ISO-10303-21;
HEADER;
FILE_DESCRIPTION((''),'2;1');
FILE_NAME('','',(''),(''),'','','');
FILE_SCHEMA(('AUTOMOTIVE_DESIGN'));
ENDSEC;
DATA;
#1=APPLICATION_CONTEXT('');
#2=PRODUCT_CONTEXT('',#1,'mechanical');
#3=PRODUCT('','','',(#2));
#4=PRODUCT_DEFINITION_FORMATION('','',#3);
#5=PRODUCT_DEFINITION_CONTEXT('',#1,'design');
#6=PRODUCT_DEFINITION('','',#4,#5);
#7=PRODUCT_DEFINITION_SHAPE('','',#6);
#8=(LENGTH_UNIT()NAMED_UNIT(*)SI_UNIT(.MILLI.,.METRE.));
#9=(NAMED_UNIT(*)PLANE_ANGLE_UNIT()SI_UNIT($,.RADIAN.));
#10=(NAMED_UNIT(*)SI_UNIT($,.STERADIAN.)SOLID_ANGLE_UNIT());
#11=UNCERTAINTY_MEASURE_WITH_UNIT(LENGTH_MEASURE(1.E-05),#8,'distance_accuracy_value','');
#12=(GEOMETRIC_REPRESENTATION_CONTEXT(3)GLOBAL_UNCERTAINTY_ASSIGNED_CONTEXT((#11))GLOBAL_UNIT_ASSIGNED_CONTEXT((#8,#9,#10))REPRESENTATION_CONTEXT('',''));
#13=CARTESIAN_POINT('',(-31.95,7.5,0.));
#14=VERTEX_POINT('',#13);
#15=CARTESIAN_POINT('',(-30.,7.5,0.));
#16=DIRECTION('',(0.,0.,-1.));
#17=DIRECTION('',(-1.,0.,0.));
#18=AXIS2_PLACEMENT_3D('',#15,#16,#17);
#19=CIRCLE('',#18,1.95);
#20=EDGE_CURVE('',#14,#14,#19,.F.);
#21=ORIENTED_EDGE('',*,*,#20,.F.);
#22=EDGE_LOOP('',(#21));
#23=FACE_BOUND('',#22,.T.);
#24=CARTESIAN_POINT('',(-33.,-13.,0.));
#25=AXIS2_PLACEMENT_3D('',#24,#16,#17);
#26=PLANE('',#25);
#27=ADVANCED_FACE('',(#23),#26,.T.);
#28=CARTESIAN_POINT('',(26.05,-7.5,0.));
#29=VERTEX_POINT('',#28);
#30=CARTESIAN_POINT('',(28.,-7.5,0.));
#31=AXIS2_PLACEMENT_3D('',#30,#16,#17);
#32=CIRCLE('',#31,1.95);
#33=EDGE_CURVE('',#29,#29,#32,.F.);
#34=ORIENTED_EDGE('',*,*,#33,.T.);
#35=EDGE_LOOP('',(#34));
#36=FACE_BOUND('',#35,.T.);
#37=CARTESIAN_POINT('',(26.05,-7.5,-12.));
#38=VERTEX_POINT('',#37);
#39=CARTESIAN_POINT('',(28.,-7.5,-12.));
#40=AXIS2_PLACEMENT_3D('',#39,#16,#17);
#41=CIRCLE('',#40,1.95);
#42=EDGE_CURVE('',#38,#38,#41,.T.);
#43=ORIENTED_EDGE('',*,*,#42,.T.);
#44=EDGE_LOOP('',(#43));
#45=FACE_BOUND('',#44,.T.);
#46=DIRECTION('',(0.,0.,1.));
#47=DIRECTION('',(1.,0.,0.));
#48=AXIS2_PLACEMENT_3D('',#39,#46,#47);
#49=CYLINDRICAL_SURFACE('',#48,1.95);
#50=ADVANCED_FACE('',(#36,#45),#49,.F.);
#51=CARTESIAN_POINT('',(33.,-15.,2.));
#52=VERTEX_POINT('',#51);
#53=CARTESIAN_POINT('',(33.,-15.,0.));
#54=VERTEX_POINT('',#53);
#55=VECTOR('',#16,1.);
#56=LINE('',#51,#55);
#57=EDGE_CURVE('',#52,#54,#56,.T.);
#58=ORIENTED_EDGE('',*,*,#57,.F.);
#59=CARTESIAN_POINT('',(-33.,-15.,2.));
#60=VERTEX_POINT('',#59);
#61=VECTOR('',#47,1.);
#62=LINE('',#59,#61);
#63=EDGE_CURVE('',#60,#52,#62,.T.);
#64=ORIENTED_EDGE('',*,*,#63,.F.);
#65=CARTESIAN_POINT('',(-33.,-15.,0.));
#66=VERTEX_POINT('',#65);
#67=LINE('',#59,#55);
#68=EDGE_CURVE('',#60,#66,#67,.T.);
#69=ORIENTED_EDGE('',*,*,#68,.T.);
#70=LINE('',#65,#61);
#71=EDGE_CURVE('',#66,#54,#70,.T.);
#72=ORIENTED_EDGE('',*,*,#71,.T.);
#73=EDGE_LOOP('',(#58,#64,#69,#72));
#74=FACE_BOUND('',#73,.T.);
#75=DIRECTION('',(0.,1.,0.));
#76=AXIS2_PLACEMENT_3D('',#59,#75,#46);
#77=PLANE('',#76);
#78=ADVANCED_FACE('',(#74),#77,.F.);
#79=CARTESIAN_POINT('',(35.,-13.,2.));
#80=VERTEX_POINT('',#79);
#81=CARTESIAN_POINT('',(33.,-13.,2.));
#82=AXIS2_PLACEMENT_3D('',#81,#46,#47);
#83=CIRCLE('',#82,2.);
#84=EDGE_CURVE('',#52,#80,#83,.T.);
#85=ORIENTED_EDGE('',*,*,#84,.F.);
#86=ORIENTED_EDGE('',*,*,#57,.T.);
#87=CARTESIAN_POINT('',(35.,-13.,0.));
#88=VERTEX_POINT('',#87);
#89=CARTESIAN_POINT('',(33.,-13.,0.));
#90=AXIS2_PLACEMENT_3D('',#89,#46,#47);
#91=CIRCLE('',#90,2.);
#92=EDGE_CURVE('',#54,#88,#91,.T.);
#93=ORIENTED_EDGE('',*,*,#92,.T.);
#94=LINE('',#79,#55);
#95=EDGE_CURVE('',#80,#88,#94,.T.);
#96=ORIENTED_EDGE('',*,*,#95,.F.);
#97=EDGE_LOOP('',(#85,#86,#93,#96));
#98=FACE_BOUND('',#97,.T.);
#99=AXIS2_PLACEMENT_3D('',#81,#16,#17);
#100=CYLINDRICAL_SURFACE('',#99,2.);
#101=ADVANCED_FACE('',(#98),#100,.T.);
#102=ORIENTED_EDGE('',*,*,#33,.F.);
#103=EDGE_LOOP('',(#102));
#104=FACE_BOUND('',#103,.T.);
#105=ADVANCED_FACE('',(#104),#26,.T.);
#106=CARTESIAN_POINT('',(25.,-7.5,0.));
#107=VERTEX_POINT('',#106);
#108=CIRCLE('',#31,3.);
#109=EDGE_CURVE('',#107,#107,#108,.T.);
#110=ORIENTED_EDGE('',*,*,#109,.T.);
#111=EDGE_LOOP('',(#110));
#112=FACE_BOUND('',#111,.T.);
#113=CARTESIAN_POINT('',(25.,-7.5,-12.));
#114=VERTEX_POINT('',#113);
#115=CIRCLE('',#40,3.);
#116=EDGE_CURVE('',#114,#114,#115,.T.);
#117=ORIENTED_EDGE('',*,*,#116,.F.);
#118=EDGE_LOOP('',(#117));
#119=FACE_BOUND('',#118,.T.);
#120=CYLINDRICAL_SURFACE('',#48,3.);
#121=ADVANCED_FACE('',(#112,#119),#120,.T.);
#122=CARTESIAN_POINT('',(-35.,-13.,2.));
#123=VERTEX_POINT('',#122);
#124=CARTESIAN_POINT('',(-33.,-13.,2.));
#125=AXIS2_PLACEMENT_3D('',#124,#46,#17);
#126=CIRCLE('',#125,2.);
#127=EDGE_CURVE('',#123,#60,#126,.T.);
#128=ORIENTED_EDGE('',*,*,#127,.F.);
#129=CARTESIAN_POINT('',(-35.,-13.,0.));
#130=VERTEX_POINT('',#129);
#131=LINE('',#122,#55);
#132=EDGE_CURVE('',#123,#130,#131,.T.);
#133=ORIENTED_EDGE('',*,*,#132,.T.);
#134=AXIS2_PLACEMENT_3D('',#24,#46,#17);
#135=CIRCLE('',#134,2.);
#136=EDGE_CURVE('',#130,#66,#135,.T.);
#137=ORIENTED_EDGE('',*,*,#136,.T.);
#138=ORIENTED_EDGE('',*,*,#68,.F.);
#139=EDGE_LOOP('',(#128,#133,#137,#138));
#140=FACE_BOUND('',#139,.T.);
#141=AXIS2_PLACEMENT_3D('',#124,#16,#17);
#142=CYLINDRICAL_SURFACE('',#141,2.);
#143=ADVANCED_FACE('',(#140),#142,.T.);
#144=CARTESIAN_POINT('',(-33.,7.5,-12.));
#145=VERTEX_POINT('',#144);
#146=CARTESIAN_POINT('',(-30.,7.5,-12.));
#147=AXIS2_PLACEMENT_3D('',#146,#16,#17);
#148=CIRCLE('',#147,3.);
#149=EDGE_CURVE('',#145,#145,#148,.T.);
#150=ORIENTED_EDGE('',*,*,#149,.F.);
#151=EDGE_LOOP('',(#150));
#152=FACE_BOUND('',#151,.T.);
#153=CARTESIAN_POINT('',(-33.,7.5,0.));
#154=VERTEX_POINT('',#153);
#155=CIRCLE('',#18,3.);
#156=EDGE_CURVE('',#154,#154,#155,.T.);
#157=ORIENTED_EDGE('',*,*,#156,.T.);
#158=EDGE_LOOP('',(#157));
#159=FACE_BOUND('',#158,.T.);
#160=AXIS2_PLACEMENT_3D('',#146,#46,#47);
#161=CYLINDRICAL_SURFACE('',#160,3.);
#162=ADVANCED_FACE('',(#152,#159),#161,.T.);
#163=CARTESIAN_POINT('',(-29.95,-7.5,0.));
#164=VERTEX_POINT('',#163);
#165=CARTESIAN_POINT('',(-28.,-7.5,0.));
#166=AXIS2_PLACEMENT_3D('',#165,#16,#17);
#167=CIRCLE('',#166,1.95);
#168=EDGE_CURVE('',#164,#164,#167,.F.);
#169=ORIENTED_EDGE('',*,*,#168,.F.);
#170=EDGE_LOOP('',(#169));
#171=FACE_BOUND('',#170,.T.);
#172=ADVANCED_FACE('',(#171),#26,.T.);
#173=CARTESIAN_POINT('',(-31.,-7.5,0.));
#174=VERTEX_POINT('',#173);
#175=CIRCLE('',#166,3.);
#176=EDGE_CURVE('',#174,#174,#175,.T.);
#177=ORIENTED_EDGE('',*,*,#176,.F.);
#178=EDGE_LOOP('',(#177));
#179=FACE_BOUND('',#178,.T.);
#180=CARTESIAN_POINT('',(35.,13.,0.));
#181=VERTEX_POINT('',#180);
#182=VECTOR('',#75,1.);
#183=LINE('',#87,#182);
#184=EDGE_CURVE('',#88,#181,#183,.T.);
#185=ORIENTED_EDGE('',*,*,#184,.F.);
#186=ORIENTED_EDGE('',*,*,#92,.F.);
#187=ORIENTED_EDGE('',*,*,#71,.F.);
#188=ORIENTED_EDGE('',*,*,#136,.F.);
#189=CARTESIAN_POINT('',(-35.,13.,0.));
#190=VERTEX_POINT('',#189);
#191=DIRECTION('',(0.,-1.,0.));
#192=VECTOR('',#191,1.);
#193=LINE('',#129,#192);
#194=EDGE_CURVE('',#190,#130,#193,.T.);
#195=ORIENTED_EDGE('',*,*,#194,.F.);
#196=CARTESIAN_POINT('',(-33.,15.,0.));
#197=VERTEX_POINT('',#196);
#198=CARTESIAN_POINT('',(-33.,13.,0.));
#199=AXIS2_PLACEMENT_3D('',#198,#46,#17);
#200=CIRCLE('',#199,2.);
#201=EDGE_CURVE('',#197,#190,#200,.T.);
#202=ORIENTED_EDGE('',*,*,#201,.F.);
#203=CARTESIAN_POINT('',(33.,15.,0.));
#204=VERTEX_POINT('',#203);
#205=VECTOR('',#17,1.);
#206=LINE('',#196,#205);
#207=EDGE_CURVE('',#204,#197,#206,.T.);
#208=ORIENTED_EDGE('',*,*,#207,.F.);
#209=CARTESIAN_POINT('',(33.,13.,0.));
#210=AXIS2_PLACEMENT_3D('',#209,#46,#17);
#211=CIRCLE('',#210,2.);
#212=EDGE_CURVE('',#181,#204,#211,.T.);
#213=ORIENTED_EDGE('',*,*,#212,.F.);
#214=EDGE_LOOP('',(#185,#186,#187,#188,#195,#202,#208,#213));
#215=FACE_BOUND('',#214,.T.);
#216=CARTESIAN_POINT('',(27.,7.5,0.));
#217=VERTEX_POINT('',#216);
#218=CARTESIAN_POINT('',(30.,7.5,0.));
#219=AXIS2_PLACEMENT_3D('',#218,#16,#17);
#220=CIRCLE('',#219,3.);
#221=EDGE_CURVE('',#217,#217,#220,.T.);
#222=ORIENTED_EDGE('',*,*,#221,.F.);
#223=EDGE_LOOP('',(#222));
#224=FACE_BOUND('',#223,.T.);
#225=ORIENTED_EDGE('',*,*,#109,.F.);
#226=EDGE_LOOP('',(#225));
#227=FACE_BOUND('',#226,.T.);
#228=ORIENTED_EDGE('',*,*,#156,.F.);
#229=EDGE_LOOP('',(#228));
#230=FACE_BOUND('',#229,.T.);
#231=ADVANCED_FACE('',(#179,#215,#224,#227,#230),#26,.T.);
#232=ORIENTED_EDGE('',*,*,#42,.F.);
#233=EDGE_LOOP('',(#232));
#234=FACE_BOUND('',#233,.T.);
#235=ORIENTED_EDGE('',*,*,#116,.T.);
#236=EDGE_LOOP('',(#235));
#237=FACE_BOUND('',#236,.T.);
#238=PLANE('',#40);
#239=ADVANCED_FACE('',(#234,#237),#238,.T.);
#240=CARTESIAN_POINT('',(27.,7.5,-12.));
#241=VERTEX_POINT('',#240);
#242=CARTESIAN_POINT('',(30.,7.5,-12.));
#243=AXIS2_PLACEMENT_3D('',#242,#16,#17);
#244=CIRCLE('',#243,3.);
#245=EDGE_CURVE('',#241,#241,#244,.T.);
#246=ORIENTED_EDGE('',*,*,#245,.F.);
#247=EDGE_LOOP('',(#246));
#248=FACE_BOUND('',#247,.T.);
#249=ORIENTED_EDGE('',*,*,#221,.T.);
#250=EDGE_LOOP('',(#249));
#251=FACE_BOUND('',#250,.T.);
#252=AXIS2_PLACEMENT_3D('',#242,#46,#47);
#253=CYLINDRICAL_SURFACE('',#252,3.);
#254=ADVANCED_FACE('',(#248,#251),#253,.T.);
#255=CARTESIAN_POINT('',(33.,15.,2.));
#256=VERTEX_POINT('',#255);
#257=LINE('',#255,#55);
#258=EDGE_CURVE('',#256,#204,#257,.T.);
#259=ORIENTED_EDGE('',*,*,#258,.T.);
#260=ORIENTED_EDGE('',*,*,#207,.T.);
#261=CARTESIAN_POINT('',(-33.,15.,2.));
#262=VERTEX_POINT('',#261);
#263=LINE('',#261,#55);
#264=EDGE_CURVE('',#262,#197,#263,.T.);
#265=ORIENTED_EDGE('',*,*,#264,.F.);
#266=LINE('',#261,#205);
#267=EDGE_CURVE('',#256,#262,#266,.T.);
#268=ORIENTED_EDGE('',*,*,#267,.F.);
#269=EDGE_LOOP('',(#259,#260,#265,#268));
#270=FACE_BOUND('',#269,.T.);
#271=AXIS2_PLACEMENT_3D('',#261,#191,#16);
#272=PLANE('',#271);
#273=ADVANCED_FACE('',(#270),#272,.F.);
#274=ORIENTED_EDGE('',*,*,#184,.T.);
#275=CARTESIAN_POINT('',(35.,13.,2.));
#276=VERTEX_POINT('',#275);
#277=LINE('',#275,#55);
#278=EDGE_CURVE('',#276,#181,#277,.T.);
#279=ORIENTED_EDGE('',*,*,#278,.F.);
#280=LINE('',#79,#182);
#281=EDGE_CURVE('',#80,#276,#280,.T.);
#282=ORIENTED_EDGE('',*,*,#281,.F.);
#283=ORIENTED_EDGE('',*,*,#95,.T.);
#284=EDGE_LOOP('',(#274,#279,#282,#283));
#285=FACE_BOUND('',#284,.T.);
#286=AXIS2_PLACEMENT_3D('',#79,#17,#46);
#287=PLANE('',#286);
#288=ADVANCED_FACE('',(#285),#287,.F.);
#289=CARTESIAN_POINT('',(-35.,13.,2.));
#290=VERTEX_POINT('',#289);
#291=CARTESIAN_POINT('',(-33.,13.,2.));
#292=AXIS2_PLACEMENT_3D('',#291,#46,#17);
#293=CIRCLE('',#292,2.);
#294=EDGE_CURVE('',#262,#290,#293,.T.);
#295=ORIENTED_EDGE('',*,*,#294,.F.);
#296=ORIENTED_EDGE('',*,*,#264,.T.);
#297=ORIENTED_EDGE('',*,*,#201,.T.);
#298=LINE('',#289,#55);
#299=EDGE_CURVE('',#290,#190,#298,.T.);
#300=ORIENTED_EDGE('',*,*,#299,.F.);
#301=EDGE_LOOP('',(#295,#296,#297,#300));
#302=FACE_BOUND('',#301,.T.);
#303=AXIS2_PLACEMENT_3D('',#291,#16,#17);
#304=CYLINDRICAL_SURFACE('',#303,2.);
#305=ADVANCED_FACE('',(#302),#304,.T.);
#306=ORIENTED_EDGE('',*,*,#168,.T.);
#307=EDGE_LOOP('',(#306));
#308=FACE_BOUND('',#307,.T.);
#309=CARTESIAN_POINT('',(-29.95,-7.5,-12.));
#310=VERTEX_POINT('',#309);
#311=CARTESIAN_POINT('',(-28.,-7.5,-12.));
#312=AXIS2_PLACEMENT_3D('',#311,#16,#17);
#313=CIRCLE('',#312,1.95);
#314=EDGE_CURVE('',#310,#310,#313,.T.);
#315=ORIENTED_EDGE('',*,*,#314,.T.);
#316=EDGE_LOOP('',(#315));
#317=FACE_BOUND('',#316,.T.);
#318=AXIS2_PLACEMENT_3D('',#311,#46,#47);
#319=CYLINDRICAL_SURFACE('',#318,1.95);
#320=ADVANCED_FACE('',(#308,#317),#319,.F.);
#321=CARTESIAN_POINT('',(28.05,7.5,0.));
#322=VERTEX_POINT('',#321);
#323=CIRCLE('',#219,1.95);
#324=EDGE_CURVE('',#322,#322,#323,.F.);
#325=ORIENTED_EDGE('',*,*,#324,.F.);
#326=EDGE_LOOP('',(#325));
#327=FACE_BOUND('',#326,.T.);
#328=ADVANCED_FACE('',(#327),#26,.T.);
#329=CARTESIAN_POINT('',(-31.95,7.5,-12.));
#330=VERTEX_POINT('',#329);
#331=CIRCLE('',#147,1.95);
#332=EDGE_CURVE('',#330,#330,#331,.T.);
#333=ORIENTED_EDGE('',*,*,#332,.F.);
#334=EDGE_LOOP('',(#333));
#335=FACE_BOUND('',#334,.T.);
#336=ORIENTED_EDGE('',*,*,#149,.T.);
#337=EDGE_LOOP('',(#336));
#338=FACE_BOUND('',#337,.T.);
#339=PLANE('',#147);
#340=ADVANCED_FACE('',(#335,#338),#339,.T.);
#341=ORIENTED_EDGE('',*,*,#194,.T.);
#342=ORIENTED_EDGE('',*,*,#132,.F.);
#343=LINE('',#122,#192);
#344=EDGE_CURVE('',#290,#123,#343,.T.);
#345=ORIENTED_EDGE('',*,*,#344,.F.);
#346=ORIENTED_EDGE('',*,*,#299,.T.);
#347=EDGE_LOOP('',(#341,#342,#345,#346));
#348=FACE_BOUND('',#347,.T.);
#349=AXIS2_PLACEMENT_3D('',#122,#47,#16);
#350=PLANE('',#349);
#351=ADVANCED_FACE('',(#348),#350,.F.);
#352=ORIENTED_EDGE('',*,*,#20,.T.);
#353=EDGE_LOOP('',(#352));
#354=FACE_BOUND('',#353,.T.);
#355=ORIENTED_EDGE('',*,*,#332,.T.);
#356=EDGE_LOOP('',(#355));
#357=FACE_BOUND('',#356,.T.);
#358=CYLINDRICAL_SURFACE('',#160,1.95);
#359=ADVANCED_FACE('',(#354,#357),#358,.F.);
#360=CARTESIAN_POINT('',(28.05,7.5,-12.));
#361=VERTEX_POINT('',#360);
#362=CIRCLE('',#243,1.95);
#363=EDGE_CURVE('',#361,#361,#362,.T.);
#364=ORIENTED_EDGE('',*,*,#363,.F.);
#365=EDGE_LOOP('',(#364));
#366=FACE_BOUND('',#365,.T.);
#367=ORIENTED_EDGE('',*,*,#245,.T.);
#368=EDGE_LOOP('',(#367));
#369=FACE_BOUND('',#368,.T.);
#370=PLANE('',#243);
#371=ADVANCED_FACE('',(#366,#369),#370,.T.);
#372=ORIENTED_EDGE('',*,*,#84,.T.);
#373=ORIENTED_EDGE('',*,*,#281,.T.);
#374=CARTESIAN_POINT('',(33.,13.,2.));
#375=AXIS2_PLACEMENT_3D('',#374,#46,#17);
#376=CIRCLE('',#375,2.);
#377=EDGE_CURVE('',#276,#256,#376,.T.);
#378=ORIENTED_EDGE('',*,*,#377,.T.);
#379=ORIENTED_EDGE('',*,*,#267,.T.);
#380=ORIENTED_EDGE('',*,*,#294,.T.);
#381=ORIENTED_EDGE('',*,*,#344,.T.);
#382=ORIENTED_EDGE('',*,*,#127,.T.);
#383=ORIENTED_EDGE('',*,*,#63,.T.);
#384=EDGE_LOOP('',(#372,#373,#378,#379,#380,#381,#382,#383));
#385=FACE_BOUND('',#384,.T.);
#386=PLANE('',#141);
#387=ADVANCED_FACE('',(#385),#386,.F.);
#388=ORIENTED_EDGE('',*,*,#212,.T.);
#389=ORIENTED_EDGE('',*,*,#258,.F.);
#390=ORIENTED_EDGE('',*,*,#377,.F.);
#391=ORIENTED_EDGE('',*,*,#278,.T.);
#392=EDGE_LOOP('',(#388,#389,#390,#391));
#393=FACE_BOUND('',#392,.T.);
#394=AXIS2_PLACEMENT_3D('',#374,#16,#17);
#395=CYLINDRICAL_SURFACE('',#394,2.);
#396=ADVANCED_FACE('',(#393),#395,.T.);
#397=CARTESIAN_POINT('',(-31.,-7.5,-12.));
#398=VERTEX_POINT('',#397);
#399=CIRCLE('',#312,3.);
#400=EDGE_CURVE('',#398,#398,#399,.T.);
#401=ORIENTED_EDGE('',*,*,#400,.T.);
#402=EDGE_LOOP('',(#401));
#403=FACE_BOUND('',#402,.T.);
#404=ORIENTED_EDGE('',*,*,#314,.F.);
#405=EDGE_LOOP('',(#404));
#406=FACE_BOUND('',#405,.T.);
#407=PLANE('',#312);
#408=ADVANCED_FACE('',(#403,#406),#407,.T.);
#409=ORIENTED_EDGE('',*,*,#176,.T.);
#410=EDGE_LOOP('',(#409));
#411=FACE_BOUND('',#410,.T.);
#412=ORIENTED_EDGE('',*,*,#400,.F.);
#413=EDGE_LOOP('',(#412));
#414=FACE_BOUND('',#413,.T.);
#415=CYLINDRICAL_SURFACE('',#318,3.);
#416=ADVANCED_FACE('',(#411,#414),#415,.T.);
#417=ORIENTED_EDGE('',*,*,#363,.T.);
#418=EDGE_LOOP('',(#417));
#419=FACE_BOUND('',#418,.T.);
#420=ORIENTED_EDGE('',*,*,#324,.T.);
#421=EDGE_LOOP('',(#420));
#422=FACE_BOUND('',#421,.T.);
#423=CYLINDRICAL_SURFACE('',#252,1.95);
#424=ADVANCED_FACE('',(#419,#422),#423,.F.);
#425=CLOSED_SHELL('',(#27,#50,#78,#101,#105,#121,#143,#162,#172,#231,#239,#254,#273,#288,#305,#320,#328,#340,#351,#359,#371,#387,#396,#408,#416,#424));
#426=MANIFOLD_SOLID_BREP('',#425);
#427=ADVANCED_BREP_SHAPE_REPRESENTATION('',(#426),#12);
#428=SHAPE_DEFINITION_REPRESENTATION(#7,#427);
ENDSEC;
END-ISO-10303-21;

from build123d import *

# Parameters (mm, degrees)
BOSS_EXTRUDE1_DEPTH = 2
SKETCH2_R           = 3
SKETCH2_R_2         = 1.95
BOSS_EXTRUDE2_DEPTH = 12


with BuildPart() as part:
    # Sketch1 → Boss-Extrude1 (new body)
    with BuildSketch(Plane.XY):
        with BuildLine():
            Line((-33, -15), (33, -15))
            ThreePointArc((33, -15), (34.414213562, -14.414213562), (35, -13))
            Line((35, -13), (35, 13))
            ThreePointArc((35, 13), (34.414213562, 14.414213562), (33, 15))
            Line((33, 15), (-33, 15))
            ThreePointArc((-33, 15), (-34.414213562, 14.414213562), (-35, 13))
            Line((-35, 13), (-35, -13))
            ThreePointArc((-35, -13), (-34.414213562, -14.414213562), (-33, -15))
        make_face()
    extrude(amount=BOSS_EXTRUDE1_DEPTH)

    # Sketch2 → Boss-Extrude2 (add)
    # profile 1 of 4: a face of its own
    with BuildSketch(Plane(origin=(0, 0, 0), x_dir=(-1, 0, 0), z_dir=(0, 0, -1))):
        with Locations((28, -7.5)):
            Circle(SKETCH2_R)
        with Locations((28, -7.5)):
            Circle(SKETCH2_R_2, mode=Mode.SUBTRACT)
    # profile 2 of 4: a face of its own
    with BuildSketch(Plane(origin=(0, 0, 0), x_dir=(-1, 0, 0), z_dir=(0, 0, -1))):
        with Locations((30, 7.5)):
            Circle(SKETCH2_R)
        with Locations((30, 7.5)):
            Circle(SKETCH2_R_2, mode=Mode.SUBTRACT)
    # profile 3 of 4: a face of its own
    with BuildSketch(Plane(origin=(0, 0, 0), x_dir=(-1, 0, 0), z_dir=(0, 0, -1))):
        with Locations((-30, 7.5)):
            Circle(SKETCH2_R)
        with Locations((-30, 7.5)):
            Circle(SKETCH2_R_2, mode=Mode.SUBTRACT)
    # profile 4 of 4: a face of its own
    with BuildSketch(Plane(origin=(0, 0, 0), x_dir=(-1, 0, 0), z_dir=(0, 0, -1))):
        with Locations((-28, -7.5)):
            Circle(SKETCH2_R)
        with Locations((-28, -7.5)):
            Circle(SKETCH2_R_2, mode=Mode.SUBTRACT)
    extrude(amount=BOSS_EXTRUDE2_DEPTH)


solid = part.part
